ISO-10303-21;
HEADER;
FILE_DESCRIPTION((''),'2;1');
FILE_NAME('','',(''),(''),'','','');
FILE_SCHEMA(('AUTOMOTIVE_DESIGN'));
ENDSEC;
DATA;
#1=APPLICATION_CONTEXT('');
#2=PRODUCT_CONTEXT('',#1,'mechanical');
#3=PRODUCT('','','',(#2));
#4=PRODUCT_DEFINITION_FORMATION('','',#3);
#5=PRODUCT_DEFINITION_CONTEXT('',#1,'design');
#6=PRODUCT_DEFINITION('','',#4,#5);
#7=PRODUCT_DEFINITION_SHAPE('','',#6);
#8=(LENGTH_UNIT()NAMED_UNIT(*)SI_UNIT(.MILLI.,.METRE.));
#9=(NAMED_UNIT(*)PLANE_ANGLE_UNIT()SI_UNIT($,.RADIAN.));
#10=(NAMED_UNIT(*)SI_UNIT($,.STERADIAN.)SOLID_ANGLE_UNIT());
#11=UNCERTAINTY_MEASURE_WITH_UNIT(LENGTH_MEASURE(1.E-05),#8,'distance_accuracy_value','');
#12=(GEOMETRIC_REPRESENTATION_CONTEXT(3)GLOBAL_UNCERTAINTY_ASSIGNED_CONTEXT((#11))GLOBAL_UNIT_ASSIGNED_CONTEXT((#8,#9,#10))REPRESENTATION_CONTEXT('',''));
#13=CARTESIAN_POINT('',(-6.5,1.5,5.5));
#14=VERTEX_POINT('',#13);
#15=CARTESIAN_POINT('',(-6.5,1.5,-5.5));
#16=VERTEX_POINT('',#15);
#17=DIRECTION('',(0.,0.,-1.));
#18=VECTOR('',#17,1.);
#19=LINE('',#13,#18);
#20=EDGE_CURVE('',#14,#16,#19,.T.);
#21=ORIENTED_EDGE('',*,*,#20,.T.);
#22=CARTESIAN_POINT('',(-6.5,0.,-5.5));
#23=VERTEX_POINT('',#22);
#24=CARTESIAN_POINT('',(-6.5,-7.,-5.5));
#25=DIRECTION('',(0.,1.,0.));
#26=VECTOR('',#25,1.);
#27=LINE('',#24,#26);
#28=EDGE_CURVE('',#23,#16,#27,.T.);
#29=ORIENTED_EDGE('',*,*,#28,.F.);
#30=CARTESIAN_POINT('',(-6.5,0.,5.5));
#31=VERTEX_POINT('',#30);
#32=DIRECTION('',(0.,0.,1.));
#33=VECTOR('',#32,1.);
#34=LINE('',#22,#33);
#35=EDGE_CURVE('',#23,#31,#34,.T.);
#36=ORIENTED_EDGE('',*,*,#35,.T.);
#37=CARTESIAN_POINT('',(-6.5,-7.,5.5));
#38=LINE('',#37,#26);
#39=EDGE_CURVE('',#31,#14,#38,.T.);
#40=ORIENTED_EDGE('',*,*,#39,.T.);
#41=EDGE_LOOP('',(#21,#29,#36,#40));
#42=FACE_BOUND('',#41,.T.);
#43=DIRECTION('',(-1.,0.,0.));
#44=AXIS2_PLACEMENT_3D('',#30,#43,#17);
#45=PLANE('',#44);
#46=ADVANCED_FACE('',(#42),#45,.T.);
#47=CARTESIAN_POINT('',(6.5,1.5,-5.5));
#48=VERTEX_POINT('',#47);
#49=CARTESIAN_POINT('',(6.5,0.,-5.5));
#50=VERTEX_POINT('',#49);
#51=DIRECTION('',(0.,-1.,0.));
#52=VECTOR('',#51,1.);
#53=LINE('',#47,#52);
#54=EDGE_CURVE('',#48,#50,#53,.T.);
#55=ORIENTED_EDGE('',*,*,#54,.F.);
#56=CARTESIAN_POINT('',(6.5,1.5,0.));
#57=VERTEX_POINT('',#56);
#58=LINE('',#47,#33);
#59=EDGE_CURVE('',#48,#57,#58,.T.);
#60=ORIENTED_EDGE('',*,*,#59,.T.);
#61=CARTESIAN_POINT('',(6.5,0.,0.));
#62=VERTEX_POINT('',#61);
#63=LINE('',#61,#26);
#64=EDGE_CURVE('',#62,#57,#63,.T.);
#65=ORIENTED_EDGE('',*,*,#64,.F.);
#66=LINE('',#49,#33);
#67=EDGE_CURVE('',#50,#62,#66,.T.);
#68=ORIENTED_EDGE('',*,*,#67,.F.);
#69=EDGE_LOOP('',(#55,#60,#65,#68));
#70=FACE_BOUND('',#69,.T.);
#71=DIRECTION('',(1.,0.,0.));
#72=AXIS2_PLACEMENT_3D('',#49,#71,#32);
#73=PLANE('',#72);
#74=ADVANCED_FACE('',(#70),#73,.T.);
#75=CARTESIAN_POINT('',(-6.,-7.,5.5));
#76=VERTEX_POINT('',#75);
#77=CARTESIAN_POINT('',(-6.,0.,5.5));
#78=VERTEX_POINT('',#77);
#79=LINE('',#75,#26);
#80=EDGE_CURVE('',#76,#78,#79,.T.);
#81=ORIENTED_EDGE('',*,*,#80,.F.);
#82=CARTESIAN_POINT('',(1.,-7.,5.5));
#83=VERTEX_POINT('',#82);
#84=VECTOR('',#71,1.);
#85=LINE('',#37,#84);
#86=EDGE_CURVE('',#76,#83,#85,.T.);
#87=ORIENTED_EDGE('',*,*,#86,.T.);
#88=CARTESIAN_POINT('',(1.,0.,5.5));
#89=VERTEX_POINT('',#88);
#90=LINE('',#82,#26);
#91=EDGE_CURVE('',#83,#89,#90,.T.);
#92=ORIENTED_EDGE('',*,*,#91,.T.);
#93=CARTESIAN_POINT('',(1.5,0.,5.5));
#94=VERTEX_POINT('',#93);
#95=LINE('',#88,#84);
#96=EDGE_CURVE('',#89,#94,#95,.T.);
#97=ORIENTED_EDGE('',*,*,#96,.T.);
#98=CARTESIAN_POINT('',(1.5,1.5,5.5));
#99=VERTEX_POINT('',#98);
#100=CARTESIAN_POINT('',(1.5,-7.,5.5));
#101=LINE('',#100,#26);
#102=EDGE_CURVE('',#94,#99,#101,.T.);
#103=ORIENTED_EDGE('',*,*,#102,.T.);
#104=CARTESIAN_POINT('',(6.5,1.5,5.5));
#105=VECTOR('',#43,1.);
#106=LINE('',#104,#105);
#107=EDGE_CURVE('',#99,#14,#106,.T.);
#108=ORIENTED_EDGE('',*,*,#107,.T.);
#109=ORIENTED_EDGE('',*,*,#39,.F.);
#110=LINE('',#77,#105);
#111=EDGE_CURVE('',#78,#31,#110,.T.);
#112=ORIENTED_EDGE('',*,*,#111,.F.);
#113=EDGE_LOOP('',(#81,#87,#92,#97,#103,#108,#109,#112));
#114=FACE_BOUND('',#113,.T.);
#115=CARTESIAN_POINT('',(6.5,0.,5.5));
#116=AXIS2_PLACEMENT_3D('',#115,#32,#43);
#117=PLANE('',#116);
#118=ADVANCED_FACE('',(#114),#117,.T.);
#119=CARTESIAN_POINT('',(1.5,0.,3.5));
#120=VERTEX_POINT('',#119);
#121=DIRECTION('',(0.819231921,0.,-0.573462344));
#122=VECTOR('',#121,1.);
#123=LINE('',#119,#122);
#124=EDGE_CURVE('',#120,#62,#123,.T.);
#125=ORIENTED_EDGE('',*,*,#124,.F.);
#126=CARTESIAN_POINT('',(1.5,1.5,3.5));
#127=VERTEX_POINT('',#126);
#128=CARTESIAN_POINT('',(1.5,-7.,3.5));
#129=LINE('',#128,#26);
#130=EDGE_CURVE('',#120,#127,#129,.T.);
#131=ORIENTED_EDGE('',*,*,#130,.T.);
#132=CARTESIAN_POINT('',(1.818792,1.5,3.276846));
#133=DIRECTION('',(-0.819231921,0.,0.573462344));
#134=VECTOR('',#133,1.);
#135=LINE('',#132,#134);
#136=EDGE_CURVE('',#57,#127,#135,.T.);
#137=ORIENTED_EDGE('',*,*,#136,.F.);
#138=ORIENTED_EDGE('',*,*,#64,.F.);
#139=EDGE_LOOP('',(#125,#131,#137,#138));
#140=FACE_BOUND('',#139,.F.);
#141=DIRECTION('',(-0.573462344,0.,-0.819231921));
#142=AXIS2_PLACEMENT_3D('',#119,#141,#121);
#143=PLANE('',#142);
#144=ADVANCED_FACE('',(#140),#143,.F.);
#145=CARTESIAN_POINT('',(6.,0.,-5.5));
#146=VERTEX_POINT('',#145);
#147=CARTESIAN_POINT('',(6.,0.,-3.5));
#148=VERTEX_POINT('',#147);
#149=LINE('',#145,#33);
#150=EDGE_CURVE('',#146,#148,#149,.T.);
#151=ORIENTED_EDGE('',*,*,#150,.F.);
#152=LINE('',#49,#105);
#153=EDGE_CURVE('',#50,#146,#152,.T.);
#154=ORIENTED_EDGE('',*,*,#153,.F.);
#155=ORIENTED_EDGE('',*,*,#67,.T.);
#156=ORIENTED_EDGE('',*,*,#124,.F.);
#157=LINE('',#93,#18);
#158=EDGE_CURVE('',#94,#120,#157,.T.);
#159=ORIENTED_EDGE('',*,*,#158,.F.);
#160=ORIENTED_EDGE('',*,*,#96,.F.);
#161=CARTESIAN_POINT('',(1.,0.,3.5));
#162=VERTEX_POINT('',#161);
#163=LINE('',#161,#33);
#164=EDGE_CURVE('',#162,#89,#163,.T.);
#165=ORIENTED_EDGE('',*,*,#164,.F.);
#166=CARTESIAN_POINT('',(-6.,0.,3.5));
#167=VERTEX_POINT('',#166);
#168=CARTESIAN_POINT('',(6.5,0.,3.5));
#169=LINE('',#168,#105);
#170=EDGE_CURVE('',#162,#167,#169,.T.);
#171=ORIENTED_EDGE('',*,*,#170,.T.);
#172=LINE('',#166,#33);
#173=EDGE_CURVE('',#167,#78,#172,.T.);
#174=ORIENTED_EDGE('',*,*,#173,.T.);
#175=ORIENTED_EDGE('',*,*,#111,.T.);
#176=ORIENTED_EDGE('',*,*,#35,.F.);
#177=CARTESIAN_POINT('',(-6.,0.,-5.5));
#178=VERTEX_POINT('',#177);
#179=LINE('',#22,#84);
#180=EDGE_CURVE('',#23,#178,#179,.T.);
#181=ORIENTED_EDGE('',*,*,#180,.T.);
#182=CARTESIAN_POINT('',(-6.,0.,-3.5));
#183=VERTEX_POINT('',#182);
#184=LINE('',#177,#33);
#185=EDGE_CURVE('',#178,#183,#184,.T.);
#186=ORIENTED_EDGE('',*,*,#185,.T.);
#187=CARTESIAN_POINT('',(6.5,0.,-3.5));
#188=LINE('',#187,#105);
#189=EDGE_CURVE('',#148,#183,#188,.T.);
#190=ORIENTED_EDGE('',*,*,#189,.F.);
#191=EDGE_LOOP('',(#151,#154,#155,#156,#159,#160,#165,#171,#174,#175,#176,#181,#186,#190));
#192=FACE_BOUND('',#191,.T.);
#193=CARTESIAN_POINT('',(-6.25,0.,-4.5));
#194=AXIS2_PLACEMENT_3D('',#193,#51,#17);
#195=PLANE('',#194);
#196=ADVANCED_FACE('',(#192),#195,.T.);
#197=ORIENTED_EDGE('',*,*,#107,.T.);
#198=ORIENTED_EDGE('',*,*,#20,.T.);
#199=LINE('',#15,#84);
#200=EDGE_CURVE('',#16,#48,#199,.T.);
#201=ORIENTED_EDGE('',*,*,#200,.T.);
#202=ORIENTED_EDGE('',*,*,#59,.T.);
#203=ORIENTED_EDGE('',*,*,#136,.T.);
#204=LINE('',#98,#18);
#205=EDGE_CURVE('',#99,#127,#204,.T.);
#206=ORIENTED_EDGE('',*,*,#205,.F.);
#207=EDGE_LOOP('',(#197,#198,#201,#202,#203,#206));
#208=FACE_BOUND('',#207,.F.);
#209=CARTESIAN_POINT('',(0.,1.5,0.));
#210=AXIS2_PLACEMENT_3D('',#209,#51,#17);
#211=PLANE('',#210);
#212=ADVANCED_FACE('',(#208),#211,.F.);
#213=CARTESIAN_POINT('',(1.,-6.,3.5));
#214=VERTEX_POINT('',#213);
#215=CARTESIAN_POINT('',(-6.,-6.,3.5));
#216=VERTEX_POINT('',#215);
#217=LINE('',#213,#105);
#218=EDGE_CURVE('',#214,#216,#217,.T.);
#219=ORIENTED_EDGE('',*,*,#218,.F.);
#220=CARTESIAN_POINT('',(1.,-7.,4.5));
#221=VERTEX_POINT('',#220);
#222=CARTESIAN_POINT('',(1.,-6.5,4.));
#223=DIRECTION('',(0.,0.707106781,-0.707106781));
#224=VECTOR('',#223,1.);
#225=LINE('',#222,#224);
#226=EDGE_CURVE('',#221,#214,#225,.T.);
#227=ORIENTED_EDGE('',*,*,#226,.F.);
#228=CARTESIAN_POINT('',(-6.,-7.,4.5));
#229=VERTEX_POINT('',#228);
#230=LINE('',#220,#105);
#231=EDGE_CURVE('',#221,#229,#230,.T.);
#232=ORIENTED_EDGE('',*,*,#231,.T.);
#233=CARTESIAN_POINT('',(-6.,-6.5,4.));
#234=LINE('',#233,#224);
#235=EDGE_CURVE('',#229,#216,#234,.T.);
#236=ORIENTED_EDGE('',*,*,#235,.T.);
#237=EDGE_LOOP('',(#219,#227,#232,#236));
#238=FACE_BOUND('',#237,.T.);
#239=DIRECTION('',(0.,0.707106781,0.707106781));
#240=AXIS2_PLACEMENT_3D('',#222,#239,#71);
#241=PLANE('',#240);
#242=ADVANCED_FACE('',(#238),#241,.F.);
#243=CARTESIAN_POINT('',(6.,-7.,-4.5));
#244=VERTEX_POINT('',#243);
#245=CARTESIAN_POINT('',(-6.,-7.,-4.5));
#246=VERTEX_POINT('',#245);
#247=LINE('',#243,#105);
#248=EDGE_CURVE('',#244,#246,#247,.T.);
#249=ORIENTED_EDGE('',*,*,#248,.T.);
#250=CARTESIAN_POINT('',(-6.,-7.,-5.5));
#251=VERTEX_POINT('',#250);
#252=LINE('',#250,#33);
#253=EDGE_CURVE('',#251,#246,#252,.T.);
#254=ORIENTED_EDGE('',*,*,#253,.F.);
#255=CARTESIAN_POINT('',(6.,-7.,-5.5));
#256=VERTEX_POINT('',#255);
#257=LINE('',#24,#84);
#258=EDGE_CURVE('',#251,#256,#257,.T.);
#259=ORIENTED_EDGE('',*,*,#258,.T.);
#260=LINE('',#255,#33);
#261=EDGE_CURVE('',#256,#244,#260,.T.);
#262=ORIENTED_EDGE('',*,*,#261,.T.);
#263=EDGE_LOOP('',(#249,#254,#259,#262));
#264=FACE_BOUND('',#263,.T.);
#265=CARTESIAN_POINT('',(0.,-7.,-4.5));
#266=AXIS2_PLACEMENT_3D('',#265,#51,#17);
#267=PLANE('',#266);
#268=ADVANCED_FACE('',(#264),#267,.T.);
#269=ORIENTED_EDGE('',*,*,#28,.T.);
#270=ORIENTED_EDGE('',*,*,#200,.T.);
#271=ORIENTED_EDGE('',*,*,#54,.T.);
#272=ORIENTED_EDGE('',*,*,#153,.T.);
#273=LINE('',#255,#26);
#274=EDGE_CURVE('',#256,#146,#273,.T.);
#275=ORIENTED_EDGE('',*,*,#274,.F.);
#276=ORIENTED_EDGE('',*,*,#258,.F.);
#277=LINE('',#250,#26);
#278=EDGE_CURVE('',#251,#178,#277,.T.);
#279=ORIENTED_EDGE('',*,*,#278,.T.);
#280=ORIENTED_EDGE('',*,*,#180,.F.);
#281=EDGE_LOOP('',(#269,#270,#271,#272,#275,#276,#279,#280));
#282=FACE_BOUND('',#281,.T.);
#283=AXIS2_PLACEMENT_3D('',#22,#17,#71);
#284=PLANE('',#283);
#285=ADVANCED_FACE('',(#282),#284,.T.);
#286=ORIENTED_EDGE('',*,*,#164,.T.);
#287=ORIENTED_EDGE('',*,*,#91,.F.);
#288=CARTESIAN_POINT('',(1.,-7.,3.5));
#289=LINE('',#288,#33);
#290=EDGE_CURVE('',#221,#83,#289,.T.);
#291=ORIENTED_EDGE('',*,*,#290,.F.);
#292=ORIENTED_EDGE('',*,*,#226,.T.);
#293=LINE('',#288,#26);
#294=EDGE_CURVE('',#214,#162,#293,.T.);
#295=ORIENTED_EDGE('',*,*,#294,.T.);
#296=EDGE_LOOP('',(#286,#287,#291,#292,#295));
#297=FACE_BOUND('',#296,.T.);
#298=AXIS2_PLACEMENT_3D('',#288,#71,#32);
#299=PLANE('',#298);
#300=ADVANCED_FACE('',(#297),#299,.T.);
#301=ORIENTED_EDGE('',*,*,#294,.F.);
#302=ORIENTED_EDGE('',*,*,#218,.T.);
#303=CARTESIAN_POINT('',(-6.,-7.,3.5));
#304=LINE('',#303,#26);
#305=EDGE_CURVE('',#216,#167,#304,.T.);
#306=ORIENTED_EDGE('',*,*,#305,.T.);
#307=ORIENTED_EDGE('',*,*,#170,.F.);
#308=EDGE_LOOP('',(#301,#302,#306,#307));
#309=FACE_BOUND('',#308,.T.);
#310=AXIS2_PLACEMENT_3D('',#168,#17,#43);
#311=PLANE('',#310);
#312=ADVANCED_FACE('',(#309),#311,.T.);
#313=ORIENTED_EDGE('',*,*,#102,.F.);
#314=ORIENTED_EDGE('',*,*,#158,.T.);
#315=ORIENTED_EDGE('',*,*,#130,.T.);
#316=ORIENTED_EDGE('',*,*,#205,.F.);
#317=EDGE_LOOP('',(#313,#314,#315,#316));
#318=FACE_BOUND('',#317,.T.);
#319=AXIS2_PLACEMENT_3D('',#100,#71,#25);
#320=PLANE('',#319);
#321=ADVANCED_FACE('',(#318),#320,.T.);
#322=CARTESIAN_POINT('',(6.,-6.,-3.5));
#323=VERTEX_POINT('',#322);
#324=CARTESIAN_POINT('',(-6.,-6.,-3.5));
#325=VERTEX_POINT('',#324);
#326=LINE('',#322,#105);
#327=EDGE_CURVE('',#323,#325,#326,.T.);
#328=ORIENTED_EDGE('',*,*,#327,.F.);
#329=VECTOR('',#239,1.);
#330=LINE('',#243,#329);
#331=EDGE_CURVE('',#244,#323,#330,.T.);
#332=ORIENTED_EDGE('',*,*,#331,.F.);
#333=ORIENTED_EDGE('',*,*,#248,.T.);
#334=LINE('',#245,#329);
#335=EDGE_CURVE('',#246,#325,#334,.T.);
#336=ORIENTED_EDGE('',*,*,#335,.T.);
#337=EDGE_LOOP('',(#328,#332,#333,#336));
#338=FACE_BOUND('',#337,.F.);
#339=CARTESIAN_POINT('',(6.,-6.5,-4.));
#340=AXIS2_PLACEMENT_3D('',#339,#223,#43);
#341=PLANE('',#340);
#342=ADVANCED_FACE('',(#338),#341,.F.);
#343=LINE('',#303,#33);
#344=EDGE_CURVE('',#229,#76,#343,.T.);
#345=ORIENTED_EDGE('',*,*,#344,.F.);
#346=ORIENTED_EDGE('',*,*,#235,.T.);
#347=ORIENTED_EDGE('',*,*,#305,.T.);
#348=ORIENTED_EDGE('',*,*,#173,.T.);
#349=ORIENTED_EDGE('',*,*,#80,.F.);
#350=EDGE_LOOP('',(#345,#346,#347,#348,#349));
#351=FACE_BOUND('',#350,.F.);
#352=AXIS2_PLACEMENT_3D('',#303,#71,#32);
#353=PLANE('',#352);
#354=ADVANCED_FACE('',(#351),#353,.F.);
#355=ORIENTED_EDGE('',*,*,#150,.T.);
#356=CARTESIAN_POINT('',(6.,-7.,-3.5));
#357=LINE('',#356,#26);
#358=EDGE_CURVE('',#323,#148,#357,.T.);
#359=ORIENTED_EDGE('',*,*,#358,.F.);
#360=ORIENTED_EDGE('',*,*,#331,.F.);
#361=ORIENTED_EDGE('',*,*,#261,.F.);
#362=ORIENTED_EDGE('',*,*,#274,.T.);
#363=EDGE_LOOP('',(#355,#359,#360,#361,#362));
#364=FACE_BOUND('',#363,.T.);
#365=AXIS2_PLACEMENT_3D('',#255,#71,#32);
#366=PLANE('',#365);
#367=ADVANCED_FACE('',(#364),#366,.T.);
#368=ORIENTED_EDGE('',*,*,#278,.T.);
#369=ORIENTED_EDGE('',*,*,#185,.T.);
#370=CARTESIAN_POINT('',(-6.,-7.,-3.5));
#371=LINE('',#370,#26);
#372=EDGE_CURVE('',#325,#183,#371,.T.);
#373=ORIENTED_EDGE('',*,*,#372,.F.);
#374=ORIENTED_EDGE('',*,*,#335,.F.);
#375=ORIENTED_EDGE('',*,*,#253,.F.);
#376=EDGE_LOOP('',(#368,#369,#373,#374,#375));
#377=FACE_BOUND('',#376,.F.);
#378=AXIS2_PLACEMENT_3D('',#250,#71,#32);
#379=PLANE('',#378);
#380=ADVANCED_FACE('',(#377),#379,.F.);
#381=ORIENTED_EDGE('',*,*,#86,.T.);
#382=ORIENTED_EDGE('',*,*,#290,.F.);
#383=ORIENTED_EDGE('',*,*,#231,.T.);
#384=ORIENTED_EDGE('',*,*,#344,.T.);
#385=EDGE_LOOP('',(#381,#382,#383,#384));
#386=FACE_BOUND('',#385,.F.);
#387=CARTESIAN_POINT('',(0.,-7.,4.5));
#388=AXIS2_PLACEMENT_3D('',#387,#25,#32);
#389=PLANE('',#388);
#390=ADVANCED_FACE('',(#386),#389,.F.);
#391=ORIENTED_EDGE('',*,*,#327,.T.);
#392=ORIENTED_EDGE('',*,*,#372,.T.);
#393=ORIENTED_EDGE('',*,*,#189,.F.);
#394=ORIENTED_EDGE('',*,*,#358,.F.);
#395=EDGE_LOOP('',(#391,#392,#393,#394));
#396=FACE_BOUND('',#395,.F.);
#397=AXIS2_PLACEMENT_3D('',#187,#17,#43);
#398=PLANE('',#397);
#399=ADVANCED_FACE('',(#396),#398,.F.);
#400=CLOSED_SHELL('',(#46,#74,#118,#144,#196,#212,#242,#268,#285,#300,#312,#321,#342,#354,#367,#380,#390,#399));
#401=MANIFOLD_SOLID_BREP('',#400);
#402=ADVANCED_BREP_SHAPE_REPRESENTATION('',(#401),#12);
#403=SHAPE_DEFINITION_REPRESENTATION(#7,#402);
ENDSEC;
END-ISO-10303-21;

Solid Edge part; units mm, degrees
sketch "Sketch1" plane through (0, 0, 0) normal (0, -1, 0) x (1, 0, 0)
  line L0 (-6.5, -5.5) -> (6.5, -5.5)
  line L1 (6.5, -5.5) -> (6.5, 5.5)
  line L2 (6.5, 5.5) -> (-6.5, 5.5)
  line L3 (-6.5, 5.5) -> (-6.5, -5.5)
  dimension "D1" = 13
  dimension "D2" = 11
extrude "Protrusion1" add sketch "Sketch1" against normal blind 1.5
sketch "Sketch2" plane through (0, 0, 0) normal (0, -1, 0) x (1, 0, 0)
  line L0 (-6.5, 5.5) -> (6.5, 5.5)
  line L1 (6.5, 5.5) -> (6.5, 3.5)
  line L2 (6.5, 3.5) -> (-6.5, 3.5)
  line L3 (-6.5, 3.5) -> (-6.5, 5.5)
  line L4 (-6.5, -5.5) -> (6.5, -5.5)
  line L5 (6.5, -5.5) -> (6.5, -3.5)
  line L6 (6.5, -3.5) -> (-6.5, -3.5)
  line L7 (-6.5, -3.5) -> (-6.5, -5.5)
  dimension "D1" = 2
  dimension "D2" = 2
extrude "side" add sketch "Sketch2" along normal blind 7
sketch "Sketch3" plane through (0, -2.75, 5.5) normal (0, 0, 1) x (-1, 0, 0)
  line L0 (-6.5, 4.25) -> (-1.5, 4.25)
  line L1 (-1.5, 4.25) -> (-1.5, -4.25)
  line L2 (-1.5, -4.25) -> (-6.5, -4.25)
  line L3 (-6.5, -4.25) -> (-6.5, 4.25)
  dimension "D1" = 5
extrude "Extrusionsausschnitt_1" cut sketch "Sketch3" against normal blind 2
sketch "Sketch4" plane through (0, 0, 0) normal (0, -1, 0) x (-1, 0, 0)
  line L0 (-1.5, -3.5) -> (-6.5, 0)
  line L1 (-6.5, 0) -> (-6.5, -3.5)
  line L2 (-6.5, -3.5) -> (-1.5, -3.5)
extrude "Cutout1" cut sketch "Sketch4" against normal up to next
sketch "Sketch5" plane through (0, -7, -4.5) normal (0, -1, 0) x (-1, 0, 0)
  line L0 (-6.5, 1) -> (-6, 1)
  line L1 (-6, 1) -> (-6, -1)
  line L2 (-6, -1) -> (-6.5, -1)
  line L3 (-6.5, -1) -> (-6.5, 1)
  line L4 (6.5, 1) -> (6, 1)
  line L5 (6, 1) -> (6, -1)
  line L6 (6, -1) -> (6.5, -1)
  line L7 (6.5, -1) -> (6.5, 1)
  line L8 (6.5, -8) -> (6, -8)
  line L9 (6, -8) -> (6, -10)
  line L10 (6, -10) -> (6.5, -10)
  line L11 (6.5, -10) -> (6.5, -8)
  line L12 (-1.5, -8) -> (-1, -8)
  line L13 (-1, -8) -> (-1, -10)
  line L14 (-1, -10) -> (-1.5, -10)
  line L15 (-1.5, -10) -> (-1.5, -8)
  dimension "D1" = 0.5
extrude "Cutout2" cut sketch "Sketch5" against normal up to vertex (7 mm away)
chamfer "Fase_1" distance 1 angle 45 2 edges at (0, -7, -3.5) (-2.5, -7, 3.5)
properties material "Nylon, allgemein"
